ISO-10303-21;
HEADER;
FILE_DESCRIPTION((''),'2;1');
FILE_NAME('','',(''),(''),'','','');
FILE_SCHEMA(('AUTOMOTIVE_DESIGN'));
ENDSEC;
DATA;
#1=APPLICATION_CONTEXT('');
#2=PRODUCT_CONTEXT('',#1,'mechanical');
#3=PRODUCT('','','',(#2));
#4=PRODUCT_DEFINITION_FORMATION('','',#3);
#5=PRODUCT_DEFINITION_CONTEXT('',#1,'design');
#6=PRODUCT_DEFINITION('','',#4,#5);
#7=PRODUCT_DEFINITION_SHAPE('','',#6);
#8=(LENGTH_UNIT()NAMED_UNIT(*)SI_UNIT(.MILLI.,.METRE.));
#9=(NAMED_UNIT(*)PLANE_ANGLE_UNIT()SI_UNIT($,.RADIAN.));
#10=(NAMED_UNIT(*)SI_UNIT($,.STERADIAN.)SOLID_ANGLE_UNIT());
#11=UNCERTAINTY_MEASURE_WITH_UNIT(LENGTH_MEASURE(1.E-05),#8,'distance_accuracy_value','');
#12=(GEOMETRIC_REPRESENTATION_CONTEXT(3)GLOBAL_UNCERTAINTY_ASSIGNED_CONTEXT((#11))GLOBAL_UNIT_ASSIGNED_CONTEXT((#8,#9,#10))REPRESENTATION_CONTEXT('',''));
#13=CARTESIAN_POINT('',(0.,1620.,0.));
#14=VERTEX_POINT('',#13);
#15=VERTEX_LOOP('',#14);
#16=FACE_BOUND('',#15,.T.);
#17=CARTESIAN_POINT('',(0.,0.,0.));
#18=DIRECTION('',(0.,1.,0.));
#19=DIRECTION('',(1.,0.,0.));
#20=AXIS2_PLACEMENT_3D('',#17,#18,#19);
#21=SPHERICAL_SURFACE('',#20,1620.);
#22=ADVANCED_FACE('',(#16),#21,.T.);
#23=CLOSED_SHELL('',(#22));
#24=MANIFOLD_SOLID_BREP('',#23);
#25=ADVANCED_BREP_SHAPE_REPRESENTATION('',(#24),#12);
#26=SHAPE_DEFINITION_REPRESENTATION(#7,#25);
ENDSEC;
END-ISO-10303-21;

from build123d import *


with BuildPart() as part:
    # Sketch1 → Revolve1 (revolve)
    with BuildSketch(Plane.XY):
        with BuildLine():
            Line((0, 1620.000000024), (0, -1620.000000024))
            ThreePointArc((0, -1620.000000024), (1620.000000024, 0), (0, 1620.000000024))
        make_face()
    revolve(axis=Axis((0, 1620.000000024, 0), (0, -1, 0)))


solid = part.part
